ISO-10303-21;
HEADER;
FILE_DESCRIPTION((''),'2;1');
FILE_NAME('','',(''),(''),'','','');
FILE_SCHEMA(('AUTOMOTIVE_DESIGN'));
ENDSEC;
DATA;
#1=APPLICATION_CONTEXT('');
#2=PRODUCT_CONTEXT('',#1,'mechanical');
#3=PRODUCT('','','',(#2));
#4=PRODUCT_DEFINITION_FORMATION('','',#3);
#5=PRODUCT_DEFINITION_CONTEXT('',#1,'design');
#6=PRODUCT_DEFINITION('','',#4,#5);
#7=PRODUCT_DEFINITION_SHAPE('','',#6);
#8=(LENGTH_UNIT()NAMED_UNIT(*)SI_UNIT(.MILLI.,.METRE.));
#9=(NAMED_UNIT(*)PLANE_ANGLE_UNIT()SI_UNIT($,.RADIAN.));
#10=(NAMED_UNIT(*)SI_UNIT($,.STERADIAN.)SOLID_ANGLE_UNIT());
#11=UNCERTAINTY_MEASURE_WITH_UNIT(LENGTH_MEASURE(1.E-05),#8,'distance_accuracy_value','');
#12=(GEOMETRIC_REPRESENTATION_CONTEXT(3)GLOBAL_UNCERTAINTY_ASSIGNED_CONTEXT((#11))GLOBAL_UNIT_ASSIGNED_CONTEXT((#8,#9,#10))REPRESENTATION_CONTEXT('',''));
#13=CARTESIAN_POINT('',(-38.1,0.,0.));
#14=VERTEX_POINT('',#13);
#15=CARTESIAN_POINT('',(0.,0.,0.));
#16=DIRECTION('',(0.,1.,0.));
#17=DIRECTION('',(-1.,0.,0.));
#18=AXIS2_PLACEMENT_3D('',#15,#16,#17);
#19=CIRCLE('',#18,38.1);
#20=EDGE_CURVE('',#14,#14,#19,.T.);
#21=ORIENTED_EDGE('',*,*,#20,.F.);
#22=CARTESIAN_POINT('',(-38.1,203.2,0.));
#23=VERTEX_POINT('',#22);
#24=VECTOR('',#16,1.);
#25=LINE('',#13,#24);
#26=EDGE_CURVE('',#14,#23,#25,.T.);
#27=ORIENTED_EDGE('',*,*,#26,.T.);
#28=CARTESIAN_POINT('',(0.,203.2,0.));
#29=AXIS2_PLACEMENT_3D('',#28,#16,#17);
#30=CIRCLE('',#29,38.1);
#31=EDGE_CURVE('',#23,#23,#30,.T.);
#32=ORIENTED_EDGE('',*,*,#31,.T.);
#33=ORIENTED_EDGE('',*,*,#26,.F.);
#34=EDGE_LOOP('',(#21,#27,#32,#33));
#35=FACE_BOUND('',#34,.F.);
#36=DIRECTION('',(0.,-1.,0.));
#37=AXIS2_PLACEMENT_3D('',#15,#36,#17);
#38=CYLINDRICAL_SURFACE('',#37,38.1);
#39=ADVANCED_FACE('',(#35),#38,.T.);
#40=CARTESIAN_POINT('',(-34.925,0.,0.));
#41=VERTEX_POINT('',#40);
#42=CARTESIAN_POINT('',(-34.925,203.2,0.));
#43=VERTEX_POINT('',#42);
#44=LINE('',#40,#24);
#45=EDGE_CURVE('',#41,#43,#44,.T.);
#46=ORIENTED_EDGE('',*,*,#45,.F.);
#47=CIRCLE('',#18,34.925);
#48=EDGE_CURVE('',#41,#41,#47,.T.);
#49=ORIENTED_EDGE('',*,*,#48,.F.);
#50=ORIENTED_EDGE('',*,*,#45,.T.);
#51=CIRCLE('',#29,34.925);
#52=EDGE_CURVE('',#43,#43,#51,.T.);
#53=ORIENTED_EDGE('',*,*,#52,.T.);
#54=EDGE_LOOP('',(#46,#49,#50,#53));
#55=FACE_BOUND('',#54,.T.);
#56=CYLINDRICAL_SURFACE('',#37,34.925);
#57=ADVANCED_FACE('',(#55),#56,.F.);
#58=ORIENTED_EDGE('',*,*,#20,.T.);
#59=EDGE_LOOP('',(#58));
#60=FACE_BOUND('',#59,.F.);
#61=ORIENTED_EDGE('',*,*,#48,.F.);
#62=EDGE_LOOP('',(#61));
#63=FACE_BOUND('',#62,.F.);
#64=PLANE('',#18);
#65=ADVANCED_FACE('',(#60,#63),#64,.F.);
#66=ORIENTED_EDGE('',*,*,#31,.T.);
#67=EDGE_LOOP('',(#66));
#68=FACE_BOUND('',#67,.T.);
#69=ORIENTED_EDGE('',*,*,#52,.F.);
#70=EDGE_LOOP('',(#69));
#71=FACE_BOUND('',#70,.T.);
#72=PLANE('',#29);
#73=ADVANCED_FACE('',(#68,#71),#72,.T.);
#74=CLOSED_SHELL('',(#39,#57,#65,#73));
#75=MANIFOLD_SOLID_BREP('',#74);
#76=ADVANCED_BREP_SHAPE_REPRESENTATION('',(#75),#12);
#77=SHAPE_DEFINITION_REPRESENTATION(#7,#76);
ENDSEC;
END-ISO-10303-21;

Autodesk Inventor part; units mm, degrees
ref_plane "YZ Plane" through (0, 0, 0) normal (1, 0, 0) x (0, 1, 0)
ref_plane "XZ Plane" through (0, 0, 0) normal (0, 1, 0) x (-1, 0, 0)
ref_plane "XY Plane" through (0, 0, 0) normal (0, 0, 1) x (1, 0, 0)
sketch "Sketch1" plane through (0, 0, 0) normal (0, 1, 0) x (-1, 0, 0)
  point P0 (0, 0)
sketch "Sketch2" plane through (0, 0, 0) normal (0, 1, 0) x (-1, 0, 0)
  circle A0 centre (0, 0) radius 34.925
  dimension "d0" = 69.85
sketch "Sketch3" plane through (0, 0, 0) normal (0, 1, 0) x (-1, 0, 0)
  point P0 (0, 0)
sketch "Sketch4" plane through (0, 0, 0) normal (0, 1, 0) x (-1, 0, 0)
  circle A0 centre (0, 0) radius 38.1
  dimension "d1" = 76.2
extrude "Extrusion1" add sketch "Sketch4" along normal blind 203.2
extrude "Extrusion2" cut sketch "Sketch2" along normal blind 203.2
properties part number "tube"
